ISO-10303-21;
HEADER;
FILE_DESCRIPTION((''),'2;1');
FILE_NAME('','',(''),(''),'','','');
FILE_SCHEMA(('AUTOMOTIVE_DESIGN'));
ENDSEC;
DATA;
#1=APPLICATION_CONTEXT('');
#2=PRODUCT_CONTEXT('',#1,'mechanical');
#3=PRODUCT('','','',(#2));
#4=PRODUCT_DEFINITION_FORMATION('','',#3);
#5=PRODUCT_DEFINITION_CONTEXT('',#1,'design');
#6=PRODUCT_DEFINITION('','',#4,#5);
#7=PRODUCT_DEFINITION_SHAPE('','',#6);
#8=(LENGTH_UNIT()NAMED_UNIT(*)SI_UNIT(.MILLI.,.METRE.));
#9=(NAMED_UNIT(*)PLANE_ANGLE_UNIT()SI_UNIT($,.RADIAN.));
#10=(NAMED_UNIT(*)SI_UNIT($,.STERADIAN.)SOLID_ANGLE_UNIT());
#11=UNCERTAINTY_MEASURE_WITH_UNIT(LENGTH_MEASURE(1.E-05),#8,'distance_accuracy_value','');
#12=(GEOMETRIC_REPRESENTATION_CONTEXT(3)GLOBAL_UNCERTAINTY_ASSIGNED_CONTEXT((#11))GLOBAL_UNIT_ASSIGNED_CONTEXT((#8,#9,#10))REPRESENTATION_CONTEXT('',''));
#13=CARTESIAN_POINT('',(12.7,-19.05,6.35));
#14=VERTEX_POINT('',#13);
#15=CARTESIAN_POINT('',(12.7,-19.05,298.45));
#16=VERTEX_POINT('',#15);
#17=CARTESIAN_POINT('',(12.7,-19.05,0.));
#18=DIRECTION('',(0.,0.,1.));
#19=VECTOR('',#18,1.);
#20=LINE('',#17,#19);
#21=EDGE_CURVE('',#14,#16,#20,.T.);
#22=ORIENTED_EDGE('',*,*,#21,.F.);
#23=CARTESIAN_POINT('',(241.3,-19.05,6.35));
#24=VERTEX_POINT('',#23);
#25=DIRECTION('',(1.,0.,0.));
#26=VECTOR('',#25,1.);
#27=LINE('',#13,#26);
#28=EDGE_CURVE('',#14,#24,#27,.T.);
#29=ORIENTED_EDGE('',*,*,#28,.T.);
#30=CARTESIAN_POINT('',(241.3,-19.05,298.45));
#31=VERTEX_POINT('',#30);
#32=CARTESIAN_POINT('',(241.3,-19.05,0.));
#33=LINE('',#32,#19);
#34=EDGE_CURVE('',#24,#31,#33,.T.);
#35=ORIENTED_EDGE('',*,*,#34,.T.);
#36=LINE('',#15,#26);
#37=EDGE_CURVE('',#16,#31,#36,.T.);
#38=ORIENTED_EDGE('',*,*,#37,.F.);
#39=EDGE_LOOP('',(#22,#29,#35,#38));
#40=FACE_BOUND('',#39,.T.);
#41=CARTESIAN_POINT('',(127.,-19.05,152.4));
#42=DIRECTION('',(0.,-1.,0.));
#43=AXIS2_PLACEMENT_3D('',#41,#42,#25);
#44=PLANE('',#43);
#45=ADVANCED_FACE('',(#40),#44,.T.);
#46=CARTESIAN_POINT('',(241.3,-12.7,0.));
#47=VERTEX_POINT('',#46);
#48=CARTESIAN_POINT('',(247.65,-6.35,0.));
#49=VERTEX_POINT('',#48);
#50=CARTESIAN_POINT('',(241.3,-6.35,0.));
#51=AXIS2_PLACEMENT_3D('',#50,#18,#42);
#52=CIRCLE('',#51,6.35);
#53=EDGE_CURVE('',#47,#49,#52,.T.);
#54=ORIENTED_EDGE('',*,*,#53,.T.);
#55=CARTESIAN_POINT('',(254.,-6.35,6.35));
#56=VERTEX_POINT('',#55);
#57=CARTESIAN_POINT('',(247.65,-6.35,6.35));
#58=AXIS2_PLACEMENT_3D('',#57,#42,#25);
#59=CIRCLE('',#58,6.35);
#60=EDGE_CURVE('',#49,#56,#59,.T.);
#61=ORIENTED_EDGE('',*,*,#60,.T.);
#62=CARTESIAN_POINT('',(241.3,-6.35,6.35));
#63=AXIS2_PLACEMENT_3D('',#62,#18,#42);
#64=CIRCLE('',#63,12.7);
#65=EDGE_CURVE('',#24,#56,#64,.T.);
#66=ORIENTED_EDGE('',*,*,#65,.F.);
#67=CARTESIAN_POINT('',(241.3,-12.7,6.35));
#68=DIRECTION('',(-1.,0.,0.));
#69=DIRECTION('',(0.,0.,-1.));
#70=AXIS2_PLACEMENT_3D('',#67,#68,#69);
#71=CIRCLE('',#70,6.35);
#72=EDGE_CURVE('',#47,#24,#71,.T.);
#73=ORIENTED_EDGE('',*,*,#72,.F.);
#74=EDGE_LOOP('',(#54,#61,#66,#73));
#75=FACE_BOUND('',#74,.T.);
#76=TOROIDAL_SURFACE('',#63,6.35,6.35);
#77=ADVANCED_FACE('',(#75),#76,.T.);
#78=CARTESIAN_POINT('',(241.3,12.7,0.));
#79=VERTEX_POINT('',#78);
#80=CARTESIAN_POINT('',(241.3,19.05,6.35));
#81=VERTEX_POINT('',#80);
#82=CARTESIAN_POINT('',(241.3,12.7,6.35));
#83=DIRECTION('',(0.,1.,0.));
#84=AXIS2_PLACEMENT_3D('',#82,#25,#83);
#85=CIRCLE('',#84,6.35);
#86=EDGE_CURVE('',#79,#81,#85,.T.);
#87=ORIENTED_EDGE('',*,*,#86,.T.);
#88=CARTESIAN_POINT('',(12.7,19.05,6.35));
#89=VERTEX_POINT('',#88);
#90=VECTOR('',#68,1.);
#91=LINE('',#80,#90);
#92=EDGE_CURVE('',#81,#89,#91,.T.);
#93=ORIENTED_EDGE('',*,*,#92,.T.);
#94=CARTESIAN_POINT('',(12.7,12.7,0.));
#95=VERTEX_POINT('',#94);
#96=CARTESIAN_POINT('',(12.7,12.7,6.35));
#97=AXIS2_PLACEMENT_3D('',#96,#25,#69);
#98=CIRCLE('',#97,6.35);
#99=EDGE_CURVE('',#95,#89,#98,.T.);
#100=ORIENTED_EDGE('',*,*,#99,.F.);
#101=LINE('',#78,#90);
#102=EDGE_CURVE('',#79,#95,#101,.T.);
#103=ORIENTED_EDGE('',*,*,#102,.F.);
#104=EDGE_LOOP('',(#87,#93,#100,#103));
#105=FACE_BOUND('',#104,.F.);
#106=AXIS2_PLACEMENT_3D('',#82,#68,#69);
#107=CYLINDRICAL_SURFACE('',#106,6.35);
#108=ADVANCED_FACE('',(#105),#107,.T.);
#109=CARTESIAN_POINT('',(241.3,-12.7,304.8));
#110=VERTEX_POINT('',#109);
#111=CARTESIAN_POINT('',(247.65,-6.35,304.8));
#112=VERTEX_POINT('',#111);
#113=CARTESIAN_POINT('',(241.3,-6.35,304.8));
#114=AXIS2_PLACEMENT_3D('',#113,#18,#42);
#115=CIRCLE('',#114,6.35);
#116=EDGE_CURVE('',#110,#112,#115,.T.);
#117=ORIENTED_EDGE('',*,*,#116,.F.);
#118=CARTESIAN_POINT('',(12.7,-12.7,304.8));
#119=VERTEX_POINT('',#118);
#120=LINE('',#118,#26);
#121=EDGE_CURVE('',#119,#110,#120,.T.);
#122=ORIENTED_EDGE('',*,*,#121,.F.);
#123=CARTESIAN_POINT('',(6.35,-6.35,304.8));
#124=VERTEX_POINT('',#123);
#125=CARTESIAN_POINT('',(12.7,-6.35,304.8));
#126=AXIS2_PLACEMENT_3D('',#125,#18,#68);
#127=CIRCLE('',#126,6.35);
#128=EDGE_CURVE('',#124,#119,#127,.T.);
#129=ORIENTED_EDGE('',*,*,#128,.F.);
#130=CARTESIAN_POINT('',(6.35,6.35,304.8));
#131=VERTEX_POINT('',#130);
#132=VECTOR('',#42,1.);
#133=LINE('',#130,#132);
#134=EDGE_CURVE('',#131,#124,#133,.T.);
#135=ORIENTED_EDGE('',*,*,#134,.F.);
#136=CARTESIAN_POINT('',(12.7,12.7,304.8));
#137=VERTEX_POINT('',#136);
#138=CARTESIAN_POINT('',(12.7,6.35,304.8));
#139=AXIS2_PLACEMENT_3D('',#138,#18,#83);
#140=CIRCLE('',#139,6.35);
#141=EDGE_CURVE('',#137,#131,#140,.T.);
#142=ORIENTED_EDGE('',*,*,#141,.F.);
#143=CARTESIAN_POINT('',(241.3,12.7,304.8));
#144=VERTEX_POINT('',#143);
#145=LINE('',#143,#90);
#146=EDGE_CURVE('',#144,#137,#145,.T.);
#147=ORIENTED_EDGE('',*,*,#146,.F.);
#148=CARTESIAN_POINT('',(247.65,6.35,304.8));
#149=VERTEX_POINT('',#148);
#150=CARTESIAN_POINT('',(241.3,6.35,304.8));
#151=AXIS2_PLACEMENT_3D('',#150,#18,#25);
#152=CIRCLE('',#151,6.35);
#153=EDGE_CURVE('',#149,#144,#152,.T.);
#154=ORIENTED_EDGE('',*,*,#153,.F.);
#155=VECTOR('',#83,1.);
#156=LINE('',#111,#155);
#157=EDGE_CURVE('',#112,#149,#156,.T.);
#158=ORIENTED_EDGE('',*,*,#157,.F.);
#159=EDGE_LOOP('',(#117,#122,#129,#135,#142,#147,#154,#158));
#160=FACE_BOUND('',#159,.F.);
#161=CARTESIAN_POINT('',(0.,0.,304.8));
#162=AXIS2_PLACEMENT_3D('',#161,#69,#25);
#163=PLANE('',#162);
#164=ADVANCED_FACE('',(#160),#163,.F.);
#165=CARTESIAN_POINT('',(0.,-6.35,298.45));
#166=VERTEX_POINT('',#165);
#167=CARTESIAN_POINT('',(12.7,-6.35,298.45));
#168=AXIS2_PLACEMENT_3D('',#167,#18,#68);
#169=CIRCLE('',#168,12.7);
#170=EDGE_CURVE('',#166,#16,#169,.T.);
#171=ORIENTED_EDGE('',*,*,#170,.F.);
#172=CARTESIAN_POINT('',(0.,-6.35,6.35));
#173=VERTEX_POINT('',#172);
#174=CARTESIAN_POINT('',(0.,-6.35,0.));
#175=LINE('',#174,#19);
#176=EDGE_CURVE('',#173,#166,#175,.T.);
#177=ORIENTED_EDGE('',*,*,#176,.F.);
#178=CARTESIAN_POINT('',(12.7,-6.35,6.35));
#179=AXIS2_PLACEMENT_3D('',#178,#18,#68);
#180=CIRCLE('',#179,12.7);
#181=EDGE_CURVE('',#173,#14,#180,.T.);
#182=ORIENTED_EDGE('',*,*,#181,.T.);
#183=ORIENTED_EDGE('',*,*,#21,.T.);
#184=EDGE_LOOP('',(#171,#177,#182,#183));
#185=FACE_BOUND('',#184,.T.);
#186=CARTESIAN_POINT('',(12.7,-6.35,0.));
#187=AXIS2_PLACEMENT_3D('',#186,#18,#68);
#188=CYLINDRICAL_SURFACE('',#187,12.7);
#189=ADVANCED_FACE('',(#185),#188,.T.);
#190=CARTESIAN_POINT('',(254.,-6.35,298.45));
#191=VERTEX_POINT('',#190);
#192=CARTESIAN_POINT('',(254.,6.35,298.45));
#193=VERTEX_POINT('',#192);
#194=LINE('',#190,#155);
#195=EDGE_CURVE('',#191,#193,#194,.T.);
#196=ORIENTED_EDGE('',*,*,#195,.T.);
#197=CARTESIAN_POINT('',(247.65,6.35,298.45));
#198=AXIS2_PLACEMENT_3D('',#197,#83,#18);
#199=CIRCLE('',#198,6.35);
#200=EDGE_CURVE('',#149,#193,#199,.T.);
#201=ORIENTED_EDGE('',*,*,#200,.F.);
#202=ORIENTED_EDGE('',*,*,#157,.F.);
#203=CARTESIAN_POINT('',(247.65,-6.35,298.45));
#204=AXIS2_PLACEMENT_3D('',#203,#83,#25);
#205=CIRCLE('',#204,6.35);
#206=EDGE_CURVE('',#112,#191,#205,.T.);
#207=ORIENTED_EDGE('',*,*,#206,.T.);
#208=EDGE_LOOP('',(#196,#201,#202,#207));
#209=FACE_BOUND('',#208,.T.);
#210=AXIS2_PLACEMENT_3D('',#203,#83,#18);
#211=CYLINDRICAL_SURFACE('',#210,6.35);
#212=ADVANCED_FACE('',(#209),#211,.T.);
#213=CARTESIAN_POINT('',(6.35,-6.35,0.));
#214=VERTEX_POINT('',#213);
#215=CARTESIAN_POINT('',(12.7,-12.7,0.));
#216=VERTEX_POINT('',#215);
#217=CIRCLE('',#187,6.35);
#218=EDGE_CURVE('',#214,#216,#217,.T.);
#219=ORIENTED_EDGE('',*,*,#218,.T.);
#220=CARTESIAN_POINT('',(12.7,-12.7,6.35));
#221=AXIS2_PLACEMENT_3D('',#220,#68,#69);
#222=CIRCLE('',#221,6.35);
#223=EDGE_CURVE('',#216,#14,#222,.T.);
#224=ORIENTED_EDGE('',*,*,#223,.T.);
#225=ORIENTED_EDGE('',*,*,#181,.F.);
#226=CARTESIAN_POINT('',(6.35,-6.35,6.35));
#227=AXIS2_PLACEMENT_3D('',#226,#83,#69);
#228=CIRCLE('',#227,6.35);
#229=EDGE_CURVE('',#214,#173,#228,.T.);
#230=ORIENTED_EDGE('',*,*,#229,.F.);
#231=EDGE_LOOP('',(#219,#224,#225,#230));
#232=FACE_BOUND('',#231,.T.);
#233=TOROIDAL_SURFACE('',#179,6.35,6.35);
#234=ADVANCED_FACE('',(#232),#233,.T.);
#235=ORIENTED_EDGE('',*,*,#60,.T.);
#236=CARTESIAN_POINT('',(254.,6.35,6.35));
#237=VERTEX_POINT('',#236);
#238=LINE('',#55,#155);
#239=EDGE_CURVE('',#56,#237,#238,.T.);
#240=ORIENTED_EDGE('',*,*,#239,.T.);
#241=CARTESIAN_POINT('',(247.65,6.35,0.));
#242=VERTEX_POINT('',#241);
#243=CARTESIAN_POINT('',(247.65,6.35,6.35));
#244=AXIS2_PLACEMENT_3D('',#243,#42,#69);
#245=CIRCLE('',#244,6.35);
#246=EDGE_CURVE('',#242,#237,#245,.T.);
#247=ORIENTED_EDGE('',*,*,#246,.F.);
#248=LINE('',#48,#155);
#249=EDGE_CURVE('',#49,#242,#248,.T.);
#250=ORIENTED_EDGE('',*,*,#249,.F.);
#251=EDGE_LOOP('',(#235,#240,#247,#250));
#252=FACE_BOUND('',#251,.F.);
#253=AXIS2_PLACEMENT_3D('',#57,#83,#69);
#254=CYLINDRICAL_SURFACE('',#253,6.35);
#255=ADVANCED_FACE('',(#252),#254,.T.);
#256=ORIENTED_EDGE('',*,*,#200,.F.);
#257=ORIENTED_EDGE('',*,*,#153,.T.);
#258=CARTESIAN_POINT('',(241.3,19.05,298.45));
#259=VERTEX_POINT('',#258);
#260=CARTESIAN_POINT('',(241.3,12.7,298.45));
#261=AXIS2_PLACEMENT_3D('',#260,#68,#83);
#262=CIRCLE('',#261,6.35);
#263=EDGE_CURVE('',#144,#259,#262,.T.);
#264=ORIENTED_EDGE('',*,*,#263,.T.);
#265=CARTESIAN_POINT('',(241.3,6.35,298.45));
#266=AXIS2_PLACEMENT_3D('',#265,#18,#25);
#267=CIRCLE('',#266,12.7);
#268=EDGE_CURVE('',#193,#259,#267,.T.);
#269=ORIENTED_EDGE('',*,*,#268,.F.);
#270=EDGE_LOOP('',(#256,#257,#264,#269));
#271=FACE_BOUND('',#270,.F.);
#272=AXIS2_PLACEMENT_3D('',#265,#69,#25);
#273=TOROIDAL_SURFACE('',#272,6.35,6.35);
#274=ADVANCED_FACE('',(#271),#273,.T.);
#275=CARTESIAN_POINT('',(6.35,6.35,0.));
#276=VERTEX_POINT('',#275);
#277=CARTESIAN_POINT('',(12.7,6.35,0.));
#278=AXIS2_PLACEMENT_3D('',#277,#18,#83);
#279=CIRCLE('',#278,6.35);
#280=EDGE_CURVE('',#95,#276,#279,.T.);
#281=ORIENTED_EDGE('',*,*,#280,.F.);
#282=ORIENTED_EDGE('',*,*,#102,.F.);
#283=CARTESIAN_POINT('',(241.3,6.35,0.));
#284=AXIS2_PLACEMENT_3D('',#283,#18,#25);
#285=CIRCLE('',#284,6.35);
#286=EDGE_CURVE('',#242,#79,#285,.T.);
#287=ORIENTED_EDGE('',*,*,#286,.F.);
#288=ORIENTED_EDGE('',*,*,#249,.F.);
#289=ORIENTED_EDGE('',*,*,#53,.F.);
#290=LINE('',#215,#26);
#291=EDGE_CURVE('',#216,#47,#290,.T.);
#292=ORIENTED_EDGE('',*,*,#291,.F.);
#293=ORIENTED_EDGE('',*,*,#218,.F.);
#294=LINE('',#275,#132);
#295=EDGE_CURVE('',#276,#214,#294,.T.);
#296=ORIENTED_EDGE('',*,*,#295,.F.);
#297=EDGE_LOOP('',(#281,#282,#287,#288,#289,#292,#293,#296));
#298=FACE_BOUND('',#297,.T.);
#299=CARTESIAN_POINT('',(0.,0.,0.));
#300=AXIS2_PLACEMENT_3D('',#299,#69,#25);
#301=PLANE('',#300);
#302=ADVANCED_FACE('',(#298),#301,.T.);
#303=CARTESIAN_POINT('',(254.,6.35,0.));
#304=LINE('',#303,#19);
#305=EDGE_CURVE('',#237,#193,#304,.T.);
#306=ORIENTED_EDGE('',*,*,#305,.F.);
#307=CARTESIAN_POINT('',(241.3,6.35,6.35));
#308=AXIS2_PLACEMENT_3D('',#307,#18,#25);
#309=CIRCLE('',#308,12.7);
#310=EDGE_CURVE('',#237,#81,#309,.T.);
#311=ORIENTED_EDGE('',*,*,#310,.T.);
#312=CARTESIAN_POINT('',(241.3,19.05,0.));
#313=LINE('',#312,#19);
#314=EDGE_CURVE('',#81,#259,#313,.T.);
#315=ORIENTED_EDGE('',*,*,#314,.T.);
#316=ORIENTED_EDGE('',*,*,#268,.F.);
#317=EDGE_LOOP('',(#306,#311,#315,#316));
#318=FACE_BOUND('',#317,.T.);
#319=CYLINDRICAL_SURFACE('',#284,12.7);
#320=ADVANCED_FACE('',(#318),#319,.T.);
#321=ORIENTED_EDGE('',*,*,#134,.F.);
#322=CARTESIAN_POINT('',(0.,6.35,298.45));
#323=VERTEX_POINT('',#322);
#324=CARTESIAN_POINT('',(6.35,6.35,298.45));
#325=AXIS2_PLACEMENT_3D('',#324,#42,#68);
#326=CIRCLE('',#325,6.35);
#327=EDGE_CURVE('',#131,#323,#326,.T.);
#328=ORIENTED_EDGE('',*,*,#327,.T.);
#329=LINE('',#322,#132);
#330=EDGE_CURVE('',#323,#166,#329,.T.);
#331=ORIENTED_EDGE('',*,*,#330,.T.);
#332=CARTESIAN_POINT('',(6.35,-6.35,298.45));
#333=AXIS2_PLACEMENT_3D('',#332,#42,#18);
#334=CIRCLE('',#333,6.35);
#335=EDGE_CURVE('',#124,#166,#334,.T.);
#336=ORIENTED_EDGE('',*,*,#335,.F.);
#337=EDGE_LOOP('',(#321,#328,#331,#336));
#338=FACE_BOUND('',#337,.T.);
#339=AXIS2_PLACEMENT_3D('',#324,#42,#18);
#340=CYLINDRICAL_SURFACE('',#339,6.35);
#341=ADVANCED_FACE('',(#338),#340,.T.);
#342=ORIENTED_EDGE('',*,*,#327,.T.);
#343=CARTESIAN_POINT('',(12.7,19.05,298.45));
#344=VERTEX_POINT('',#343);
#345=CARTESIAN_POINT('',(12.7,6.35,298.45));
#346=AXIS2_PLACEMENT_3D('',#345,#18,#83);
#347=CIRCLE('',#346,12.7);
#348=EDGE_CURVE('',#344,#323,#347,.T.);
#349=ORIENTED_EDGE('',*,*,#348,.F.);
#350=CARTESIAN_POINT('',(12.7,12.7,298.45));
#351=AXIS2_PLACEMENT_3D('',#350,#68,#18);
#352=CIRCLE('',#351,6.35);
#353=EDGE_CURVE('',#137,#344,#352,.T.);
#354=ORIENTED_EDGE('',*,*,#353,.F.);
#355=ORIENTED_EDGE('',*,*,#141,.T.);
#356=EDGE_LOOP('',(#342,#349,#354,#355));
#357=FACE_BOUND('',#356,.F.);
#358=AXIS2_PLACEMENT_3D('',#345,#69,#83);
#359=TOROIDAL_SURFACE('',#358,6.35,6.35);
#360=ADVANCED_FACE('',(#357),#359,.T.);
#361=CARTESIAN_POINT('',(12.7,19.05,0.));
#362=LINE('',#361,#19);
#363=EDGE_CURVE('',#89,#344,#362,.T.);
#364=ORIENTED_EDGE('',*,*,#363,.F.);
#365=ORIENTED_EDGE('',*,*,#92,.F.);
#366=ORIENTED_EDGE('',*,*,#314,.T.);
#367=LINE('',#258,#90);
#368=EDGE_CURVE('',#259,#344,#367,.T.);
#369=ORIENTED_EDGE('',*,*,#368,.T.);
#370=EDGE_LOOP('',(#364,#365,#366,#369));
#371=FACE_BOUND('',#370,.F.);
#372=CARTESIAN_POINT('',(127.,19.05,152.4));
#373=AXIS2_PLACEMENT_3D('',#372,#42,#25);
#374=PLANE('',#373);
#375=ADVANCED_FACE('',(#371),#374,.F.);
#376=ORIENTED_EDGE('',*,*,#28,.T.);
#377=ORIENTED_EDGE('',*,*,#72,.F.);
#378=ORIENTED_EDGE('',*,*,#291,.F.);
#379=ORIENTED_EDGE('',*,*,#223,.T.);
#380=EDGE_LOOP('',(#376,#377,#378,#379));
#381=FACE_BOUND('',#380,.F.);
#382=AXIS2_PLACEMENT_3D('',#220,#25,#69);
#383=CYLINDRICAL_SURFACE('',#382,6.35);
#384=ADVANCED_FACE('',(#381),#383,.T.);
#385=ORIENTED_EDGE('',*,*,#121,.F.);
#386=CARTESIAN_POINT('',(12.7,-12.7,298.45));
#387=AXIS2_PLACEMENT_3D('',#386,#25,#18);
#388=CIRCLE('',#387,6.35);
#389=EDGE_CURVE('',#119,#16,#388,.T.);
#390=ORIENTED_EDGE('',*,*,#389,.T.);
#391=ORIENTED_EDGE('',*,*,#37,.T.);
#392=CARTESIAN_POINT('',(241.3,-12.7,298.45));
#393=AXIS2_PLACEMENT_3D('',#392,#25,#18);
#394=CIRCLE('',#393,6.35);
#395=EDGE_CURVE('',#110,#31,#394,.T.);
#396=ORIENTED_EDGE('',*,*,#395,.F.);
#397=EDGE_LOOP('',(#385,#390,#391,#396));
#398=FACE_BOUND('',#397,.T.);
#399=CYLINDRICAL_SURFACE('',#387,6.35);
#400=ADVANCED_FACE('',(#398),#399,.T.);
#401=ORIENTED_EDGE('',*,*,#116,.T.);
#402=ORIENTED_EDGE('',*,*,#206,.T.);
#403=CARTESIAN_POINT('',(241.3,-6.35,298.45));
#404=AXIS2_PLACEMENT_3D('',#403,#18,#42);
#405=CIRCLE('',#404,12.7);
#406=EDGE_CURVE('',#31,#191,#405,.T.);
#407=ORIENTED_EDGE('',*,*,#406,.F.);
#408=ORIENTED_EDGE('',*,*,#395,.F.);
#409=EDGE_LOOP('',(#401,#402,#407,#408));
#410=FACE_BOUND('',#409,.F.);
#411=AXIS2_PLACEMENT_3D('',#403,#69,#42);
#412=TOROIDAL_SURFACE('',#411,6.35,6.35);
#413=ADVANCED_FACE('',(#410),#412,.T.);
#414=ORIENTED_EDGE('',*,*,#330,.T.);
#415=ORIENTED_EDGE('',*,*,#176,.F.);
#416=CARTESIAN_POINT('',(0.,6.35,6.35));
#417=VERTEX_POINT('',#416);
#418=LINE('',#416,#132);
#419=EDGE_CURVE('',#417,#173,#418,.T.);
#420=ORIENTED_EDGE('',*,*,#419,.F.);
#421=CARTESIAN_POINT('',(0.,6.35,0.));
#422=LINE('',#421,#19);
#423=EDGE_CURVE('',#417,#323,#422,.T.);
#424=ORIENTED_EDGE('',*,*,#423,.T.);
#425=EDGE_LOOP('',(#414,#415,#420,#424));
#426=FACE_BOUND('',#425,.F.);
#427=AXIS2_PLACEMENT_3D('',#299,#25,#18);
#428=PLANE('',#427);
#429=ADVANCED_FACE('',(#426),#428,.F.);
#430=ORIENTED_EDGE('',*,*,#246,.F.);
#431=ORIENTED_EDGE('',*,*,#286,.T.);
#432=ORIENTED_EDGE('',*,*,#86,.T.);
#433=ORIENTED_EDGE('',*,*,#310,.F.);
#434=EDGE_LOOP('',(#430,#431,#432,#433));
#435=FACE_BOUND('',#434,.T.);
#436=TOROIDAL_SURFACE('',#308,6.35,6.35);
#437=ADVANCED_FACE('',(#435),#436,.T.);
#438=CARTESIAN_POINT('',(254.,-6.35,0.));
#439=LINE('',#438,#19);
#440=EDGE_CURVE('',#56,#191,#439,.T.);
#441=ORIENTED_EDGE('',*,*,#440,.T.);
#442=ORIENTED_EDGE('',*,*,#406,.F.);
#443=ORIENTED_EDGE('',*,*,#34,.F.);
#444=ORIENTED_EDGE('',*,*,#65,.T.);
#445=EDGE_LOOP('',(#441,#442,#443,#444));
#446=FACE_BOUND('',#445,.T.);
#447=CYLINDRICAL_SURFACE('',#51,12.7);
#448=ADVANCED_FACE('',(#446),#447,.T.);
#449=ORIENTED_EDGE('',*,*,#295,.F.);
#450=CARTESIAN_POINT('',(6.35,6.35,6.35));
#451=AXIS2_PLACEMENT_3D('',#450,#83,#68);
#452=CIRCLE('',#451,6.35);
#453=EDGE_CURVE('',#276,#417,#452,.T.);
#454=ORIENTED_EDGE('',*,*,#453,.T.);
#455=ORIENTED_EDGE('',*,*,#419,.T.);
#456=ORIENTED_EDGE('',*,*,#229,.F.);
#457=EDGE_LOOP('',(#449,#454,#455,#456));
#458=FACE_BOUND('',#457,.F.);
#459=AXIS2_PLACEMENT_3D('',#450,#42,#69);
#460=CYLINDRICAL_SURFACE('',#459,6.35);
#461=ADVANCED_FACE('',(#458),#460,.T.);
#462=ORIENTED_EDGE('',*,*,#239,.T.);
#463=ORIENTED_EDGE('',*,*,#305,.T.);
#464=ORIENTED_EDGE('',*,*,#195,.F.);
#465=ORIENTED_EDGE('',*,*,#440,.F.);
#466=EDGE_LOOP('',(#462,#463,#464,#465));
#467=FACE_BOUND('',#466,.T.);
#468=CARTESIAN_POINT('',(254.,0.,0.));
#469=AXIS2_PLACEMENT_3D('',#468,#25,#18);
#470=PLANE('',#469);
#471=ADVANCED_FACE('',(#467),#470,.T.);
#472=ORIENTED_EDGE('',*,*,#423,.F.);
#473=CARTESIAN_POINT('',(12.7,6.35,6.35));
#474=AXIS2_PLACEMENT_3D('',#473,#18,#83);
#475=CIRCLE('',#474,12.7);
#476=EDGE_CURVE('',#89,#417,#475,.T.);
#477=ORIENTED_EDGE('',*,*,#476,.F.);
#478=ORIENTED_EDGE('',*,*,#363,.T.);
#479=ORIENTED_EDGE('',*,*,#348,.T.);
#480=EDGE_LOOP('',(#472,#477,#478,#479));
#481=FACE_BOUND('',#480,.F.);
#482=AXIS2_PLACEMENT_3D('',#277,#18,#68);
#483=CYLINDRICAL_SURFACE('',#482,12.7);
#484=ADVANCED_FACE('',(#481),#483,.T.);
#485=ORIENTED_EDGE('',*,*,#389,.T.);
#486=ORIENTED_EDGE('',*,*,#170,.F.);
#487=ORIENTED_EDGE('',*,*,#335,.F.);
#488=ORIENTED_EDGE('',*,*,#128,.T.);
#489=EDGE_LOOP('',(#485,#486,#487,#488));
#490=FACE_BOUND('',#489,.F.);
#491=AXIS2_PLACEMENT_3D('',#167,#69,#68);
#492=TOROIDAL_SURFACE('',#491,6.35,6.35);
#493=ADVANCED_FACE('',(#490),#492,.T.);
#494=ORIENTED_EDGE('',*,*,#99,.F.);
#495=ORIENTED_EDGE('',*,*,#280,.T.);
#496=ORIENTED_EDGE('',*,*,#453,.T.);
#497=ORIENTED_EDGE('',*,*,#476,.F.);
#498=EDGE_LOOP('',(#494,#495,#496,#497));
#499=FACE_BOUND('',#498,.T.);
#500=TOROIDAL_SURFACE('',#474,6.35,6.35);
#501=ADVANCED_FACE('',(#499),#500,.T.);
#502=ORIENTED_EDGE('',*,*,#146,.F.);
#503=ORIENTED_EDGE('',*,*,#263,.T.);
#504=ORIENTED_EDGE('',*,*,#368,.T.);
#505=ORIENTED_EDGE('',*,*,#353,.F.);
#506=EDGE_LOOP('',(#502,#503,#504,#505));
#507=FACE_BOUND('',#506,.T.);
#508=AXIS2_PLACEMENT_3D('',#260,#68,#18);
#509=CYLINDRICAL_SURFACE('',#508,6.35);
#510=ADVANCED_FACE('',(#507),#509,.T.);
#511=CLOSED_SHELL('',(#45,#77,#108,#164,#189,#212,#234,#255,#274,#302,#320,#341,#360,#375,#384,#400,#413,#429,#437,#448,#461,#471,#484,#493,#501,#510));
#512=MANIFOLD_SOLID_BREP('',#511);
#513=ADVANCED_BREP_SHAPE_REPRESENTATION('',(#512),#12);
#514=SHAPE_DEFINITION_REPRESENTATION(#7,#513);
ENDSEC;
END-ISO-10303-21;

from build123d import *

# Parameters (mm, degrees)
F0_W     = 254
F0_H     = 304.8
F1_DEPTH = 19.05
F2_R     = 12.7
F3_R     = 6.35


with BuildPart() as f1:
    # F0 (on Front) → F1 (new body, symmetric)
    with BuildSketch(Plane.XZ):
        with Locations((127, 152.4)):
            Rectangle(F0_W, F0_H)
    extrude(amount=F1_DEPTH, both=True)

    # F2
    f2_edges = [f1.edges().sort_by_distance(p)[0] for p in [
        (0, -19.05, 152.4),
        (254, -19.05, 152.4),
        (254, 19.05, 152.4),
        (0, 19.05, 152.4),
    ]]
    fillet(f2_edges, radius=F2_R)

    # F3
    f3_edges = [f1.edges().sort_by_distance(p)[0] for p in [
        (127, -19.05, 304.8),
        (127, -19.05, 0),
    ]]
    fillet(f3_edges, radius=F3_R)


solid = f1.part
